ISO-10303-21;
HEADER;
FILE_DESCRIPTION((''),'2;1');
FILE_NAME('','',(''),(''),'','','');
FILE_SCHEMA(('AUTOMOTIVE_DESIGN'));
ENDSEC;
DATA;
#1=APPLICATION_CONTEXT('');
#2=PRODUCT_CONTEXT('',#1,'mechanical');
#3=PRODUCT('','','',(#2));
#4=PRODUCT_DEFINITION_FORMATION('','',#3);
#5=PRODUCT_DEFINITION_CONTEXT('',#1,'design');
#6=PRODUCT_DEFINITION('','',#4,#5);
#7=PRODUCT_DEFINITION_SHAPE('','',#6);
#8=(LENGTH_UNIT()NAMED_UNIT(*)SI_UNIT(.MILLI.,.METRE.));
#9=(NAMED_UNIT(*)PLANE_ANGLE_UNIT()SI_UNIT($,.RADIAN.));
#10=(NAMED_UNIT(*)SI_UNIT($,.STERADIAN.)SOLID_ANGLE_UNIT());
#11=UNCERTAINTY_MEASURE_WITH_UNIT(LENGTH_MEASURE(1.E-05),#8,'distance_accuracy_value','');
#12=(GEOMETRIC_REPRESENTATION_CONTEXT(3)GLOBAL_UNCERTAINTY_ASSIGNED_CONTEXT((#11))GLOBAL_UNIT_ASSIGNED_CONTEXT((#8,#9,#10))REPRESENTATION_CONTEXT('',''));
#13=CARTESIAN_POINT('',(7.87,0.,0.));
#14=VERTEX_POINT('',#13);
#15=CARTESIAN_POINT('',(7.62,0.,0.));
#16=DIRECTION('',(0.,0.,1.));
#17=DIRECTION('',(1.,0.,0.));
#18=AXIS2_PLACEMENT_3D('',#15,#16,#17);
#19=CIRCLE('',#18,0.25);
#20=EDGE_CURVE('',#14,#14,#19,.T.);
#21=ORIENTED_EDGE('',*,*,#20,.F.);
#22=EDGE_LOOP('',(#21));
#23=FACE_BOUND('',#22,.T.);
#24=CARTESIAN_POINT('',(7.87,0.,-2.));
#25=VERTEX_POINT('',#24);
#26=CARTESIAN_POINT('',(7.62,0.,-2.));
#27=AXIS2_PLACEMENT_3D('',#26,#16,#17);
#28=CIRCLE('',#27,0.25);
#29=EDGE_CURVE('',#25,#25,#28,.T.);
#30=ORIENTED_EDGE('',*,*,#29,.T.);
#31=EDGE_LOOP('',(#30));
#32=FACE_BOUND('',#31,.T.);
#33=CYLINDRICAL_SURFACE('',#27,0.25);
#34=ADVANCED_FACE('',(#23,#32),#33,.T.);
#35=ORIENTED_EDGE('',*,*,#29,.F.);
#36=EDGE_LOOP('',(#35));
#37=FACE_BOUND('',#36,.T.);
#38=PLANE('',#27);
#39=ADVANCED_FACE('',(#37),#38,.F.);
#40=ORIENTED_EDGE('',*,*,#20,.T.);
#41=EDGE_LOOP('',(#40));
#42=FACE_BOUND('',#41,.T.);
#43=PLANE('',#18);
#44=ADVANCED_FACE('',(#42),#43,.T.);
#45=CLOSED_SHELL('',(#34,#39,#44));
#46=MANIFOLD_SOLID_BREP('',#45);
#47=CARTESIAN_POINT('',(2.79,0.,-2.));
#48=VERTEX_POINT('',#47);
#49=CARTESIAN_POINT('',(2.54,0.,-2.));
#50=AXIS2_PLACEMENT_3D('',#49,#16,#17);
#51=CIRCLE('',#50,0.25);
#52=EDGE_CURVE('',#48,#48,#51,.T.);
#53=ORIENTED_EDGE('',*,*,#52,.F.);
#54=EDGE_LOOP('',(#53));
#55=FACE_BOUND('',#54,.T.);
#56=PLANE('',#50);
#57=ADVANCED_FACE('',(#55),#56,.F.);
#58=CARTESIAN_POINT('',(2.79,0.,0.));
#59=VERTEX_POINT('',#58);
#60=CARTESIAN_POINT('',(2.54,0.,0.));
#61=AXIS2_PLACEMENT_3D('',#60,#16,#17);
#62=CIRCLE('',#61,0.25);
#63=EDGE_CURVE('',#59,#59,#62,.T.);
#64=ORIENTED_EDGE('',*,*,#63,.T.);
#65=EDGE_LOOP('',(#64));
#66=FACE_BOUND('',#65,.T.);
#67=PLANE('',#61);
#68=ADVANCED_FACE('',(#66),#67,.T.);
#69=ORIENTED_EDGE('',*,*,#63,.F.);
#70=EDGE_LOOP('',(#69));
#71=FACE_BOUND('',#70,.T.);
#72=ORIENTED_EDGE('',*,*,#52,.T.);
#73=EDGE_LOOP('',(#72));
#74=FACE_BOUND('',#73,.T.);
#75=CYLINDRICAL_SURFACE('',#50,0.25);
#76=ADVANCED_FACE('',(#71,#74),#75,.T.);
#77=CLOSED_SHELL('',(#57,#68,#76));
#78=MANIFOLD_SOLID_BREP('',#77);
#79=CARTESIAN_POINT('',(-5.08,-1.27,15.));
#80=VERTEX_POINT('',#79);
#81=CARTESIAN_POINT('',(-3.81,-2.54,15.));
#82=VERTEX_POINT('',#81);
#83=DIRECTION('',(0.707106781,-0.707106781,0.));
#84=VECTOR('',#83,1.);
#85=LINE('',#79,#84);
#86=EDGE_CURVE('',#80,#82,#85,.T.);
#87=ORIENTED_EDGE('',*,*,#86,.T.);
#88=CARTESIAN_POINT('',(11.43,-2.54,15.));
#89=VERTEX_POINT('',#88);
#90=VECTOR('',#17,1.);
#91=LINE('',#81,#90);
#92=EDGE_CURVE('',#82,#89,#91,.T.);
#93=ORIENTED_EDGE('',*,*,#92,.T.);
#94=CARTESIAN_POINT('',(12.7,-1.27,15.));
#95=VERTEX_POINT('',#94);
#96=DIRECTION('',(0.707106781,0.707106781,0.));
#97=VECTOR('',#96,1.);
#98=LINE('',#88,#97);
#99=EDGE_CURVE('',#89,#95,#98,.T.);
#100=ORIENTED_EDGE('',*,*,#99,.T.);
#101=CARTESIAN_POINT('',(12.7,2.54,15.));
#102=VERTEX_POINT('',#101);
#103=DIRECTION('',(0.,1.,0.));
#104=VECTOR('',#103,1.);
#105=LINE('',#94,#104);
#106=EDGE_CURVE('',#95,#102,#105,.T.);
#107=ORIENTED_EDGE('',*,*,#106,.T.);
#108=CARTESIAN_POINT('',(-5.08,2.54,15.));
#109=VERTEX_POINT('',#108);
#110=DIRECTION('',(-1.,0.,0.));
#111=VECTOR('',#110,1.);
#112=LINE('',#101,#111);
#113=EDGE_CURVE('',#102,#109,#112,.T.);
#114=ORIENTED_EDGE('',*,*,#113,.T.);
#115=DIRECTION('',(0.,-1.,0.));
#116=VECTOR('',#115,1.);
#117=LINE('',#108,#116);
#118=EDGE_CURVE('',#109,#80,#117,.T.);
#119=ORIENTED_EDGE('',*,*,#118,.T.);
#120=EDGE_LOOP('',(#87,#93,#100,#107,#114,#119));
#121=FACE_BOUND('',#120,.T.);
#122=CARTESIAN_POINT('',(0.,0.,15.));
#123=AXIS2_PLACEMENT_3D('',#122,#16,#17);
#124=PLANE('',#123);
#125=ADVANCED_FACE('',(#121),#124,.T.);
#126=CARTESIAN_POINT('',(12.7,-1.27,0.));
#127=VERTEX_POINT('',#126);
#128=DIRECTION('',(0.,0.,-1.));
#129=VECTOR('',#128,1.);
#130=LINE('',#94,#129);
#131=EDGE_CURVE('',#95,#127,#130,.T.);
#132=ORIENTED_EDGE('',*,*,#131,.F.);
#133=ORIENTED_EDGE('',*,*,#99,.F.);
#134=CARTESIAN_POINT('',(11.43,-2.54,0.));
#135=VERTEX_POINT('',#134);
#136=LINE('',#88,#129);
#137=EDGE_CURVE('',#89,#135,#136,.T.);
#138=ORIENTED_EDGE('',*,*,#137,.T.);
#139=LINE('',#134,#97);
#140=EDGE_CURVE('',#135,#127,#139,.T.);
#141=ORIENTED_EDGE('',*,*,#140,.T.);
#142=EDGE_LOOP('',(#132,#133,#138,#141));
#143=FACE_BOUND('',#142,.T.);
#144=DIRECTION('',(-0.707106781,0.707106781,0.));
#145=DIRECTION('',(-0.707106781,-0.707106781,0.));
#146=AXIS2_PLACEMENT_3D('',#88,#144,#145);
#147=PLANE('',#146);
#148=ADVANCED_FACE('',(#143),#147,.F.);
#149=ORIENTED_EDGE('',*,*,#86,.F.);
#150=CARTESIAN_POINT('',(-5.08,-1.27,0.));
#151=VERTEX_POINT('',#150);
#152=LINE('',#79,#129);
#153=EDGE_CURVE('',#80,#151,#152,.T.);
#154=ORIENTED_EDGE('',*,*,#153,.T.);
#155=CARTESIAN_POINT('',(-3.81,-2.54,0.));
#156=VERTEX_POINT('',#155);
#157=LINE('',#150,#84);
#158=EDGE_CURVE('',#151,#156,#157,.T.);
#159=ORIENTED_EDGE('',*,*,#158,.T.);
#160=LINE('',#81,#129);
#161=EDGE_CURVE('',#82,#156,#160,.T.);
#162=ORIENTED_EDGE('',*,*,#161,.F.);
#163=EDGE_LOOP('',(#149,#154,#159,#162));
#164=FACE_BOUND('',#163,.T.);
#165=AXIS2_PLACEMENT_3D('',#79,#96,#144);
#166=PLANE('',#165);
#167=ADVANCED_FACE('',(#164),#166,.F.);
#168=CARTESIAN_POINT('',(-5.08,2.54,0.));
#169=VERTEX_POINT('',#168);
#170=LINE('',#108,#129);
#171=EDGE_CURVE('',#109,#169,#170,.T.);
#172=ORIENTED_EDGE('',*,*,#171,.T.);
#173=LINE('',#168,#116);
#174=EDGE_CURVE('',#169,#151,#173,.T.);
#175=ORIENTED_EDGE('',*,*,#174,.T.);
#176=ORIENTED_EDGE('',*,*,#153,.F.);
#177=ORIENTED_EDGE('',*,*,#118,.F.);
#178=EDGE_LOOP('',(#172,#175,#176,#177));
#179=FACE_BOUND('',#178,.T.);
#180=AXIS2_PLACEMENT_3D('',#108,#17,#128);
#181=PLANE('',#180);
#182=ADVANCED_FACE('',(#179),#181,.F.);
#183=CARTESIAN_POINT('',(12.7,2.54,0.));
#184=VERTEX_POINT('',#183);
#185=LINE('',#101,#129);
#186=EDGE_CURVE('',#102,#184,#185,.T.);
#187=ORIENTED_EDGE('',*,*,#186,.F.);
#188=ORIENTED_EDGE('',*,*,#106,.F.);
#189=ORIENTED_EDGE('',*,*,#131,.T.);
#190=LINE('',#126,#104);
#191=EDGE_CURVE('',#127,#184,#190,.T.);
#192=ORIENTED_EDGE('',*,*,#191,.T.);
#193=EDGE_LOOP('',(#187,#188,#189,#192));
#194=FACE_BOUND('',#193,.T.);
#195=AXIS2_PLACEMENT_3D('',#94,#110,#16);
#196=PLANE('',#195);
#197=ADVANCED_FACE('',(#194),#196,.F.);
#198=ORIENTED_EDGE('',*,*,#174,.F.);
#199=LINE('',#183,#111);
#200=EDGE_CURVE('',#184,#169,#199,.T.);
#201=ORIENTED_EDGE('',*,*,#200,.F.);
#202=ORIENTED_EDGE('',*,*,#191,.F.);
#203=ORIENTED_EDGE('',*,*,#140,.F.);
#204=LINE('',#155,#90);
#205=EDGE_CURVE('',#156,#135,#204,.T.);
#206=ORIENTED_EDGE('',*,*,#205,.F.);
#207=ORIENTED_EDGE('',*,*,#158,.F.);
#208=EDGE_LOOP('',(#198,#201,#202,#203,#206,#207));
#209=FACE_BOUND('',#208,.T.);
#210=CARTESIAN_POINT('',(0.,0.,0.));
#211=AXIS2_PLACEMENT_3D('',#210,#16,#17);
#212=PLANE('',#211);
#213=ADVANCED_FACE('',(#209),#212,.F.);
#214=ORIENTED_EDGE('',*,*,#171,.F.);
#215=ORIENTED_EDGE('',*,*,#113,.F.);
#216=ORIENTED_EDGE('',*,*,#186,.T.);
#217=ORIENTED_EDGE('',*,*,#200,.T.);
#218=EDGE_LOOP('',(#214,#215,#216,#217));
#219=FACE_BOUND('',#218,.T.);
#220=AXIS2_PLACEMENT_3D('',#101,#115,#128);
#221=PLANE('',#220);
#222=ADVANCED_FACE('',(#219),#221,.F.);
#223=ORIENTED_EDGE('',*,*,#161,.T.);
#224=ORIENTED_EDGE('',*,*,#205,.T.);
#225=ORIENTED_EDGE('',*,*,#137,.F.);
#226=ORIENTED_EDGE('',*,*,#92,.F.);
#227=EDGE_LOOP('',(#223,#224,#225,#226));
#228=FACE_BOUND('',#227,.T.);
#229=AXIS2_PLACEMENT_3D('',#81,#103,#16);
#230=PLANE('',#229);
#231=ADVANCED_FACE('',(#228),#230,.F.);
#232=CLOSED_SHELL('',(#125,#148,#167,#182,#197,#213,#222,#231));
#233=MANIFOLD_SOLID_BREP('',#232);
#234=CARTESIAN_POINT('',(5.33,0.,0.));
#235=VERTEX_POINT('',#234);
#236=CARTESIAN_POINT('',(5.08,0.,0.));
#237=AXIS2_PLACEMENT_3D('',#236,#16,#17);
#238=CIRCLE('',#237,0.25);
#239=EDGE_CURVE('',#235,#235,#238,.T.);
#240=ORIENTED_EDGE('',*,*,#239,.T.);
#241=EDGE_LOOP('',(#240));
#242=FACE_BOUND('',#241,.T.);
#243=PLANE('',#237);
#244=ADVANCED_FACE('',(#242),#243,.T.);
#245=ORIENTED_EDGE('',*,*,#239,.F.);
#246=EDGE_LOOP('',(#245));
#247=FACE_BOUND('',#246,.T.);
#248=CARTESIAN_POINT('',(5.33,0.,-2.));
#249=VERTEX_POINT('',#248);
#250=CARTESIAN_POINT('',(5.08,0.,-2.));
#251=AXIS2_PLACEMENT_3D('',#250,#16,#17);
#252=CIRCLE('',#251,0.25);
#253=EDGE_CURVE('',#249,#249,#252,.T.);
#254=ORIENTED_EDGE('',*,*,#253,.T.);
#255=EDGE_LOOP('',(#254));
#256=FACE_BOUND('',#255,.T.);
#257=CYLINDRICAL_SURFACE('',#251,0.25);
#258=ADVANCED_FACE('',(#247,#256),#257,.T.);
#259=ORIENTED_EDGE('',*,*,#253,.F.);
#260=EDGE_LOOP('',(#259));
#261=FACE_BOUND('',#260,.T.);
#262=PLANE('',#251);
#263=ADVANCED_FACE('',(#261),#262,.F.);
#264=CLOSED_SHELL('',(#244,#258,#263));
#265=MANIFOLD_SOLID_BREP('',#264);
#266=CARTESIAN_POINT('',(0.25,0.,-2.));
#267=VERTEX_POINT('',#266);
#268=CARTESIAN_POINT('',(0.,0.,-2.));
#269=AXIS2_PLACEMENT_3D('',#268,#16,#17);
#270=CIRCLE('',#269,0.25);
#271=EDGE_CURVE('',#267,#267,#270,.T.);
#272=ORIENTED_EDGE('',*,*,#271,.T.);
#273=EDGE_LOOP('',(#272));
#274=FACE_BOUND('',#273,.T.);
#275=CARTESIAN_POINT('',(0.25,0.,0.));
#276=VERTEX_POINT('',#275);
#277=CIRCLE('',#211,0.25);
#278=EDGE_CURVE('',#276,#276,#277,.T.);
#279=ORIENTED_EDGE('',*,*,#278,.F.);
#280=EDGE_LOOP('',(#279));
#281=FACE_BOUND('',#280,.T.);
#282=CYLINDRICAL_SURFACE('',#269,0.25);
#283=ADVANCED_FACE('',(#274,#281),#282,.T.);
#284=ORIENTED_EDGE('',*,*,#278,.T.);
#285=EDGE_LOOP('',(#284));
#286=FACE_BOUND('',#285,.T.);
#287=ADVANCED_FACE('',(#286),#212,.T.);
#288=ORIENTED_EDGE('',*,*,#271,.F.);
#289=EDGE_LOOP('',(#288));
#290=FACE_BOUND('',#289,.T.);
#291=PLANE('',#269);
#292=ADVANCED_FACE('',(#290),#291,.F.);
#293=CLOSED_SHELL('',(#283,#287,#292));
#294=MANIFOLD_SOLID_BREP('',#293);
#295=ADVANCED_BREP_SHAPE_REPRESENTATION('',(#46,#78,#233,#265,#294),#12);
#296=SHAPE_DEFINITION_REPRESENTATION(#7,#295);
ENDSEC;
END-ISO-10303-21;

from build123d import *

# Parameters (mm, degrees)
COMPONENT_OUTLINE_DEPTH = 15
SKETCH2_R               = 0.25
EXTRUDE_1_DEPTH         = 2
SKETCH3_R               = 0.25
EXTRUDE_2_DEPTH         = 2
SKETCH4_R               = 0.25
EXTRUDE_3_DEPTH         = 2
SKETCH5_R               = 0.25
EXTRUDE_4_DEPTH         = 2


with BuildPart() as part:
    # Sketch1 → Component_Outline (new body)
    with BuildSketch(Plane.XY):
        Polygon((-5.08, 2.54), (-5.08, -1.27), (-3.81, -2.54), (11.43, -2.54), (12.7, -1.27), (12.7, 2.54), align=None)
    extrude(amount=COMPONENT_OUTLINE_DEPTH)


with BuildPart() as body_2:
    # Sketch2 → Extrude 1 (new body)
    with BuildSketch(Plane.XY):
        Circle(SKETCH2_R)
    extrude(amount=-EXTRUDE_1_DEPTH)


with BuildPart() as body_3:
    # Sketch3 → Extrude 2 (new body)
    with BuildSketch(Plane.XY):
        with Locations((2.54, 0)):
            Circle(SKETCH3_R)
    extrude(amount=-EXTRUDE_2_DEPTH)


with BuildPart() as body_4:
    # Sketch4 → Extrude 3 (new body)
    with BuildSketch(Plane.XY):
        with Locations((5.08, 0)):
            Circle(SKETCH4_R)
    extrude(amount=-EXTRUDE_3_DEPTH)


with BuildPart() as body_5:
    # Sketch5 → Extrude 4 (new body)
    with BuildSketch(Plane.XY):
        with Locations((7.62, 0)):
            Circle(SKETCH5_R)
    extrude(amount=-EXTRUDE_4_DEPTH)


solid = Compound([part.part, body_2.part, body_3.part, body_4.part, body_5.part])
